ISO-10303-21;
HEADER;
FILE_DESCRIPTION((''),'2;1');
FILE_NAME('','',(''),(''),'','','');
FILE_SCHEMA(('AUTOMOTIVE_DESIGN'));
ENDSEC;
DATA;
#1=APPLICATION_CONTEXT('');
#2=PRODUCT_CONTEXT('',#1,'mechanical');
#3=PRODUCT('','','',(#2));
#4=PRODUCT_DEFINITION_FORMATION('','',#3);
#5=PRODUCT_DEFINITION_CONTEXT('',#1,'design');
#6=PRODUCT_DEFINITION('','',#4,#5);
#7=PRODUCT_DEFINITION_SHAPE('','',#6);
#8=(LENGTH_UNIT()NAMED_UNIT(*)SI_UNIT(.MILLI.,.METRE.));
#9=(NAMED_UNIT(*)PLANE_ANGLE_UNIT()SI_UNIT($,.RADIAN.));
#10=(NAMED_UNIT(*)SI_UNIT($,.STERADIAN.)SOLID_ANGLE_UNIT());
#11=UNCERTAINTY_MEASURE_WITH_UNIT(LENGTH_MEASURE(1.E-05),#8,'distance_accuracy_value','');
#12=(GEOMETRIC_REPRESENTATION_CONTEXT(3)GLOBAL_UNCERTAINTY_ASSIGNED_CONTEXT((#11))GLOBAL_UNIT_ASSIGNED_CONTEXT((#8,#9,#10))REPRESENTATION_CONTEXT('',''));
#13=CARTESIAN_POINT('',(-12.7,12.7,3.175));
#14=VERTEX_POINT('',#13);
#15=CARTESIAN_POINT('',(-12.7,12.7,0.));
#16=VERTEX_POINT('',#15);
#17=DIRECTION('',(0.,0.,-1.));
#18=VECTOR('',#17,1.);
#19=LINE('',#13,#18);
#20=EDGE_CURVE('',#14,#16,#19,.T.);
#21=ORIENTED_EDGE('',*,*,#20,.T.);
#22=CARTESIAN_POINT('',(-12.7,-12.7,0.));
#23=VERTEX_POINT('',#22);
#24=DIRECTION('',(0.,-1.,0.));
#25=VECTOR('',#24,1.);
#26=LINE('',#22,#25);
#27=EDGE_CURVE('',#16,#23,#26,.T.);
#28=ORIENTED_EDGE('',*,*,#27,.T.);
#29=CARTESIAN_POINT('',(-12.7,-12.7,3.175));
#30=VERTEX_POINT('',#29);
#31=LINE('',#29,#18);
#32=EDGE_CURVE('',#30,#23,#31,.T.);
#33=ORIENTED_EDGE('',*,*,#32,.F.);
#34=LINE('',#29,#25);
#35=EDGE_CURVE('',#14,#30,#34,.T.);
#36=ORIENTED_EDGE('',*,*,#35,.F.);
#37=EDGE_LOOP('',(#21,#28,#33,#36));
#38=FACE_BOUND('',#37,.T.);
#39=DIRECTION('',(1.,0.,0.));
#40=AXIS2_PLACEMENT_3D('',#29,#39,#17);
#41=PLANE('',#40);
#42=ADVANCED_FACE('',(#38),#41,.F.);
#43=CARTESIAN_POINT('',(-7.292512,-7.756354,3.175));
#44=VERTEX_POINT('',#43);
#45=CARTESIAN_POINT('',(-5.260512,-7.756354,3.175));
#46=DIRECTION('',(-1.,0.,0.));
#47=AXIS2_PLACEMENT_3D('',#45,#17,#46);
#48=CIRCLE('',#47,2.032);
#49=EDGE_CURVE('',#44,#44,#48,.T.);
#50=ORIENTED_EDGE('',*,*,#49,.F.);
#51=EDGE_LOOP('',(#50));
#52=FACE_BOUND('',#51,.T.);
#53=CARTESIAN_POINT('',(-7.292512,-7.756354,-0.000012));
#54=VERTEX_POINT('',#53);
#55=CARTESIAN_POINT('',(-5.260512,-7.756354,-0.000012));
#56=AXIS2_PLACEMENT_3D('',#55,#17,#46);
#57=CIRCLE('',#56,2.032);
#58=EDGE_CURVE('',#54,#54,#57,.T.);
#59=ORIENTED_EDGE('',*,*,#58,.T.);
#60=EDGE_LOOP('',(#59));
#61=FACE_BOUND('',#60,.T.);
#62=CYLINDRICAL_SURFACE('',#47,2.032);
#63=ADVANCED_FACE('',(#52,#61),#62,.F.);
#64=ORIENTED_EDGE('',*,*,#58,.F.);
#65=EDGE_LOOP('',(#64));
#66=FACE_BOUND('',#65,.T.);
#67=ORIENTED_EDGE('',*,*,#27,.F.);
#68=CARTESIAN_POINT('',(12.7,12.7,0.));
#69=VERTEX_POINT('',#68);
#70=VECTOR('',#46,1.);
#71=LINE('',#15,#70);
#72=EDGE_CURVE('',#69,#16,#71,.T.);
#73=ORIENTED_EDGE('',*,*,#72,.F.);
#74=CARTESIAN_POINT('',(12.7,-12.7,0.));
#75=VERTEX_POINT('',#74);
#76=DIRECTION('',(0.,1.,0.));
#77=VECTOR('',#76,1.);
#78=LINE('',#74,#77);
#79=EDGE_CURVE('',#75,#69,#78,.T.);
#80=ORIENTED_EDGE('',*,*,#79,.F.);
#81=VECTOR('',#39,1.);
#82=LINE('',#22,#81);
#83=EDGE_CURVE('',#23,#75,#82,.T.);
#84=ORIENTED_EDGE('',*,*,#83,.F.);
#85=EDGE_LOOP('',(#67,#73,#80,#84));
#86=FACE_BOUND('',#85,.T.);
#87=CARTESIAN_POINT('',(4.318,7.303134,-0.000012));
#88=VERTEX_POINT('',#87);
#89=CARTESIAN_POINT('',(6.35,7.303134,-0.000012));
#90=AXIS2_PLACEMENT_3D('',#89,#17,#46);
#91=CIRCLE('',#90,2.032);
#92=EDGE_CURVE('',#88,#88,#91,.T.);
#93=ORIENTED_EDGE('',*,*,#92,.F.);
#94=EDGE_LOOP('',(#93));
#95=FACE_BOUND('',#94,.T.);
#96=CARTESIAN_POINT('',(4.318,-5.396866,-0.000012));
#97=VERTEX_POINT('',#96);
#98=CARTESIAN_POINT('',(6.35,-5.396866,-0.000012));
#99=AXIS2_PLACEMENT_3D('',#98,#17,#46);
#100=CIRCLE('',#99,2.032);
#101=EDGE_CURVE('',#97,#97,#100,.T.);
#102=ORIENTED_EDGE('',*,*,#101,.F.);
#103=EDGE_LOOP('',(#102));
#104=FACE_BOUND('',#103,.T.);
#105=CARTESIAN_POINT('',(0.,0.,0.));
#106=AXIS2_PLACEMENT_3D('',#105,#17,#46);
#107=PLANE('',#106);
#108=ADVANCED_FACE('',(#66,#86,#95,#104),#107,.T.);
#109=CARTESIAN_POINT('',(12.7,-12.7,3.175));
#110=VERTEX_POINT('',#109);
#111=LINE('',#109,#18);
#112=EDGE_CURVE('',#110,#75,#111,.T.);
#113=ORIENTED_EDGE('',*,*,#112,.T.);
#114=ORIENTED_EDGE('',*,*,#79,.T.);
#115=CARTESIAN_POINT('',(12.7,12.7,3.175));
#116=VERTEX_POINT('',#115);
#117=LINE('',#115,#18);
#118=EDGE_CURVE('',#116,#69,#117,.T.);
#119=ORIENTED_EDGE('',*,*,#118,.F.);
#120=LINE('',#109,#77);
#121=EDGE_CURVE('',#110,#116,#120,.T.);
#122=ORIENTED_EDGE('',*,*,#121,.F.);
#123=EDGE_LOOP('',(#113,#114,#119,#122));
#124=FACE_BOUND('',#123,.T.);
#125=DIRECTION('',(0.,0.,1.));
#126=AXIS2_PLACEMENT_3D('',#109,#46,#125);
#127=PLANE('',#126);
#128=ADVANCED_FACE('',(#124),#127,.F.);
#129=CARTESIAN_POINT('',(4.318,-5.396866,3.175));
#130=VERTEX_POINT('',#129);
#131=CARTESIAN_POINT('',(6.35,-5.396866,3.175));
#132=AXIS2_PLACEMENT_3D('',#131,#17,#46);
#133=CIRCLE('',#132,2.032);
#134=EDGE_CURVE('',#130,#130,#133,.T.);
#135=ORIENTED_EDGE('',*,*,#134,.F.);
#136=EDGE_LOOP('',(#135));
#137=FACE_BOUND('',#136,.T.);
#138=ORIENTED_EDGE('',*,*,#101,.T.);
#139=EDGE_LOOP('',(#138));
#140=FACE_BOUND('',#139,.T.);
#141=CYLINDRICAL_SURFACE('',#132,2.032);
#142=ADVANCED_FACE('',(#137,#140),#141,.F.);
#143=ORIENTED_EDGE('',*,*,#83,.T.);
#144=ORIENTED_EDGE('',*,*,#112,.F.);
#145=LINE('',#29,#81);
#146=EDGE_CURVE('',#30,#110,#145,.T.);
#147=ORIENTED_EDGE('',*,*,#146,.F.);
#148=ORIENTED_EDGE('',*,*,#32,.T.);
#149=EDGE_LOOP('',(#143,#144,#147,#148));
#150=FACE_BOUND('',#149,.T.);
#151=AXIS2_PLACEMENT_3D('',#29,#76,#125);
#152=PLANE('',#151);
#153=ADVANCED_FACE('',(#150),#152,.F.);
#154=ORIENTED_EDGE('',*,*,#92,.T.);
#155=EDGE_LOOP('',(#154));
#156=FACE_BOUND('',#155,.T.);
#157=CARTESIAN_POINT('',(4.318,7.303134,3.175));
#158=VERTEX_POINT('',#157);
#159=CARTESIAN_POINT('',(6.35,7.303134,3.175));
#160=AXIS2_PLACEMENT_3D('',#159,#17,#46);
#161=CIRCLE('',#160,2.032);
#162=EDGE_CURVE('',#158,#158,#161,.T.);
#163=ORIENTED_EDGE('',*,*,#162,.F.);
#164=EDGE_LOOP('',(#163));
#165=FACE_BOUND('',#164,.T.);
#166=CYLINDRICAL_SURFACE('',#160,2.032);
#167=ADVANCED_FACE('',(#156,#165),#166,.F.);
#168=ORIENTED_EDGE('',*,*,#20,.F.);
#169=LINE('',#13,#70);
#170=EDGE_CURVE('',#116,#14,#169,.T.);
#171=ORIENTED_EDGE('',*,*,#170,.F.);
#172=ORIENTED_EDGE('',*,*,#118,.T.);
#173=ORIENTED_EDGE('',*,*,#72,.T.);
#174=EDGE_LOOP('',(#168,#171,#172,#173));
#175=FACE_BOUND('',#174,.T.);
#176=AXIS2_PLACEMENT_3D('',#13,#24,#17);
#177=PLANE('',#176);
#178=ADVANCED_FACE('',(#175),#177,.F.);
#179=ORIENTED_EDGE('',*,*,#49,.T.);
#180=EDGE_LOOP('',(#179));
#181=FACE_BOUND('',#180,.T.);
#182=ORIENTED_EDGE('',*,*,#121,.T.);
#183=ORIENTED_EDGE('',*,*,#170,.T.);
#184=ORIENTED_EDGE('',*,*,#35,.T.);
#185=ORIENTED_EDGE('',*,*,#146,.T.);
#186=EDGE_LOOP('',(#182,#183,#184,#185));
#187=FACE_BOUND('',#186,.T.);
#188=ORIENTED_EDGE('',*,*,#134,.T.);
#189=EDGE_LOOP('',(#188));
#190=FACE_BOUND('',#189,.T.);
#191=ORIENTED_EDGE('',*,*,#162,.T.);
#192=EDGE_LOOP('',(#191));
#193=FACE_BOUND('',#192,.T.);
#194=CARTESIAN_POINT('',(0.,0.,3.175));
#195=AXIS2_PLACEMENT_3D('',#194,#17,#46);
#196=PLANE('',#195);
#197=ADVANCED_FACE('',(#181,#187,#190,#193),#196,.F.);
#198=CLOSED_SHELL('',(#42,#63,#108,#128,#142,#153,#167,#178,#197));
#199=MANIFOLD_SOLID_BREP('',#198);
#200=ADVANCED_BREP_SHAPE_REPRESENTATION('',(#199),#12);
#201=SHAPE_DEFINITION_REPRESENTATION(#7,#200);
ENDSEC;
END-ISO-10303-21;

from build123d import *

# Parameters (mm, degrees)
SKETCH1_W               = 25.4
SKETCH1_H               = 25.4
BOSS_EXTRUDE1_DEPTH     = 3.175
CUT_EXTRUDE1_DEPTH      = 19.238986403
CUT_EXTRUDE1_DEPTH_BACK = 19.238986403
SKETCH2_R               = 2.032


with BuildPart() as part:
    # Sketch1 → Boss-Extrude1 (new body)
    with BuildSketch(Plane.XY):
        Rectangle(SKETCH1_W, SKETCH1_H)
    extrude(amount=BOSS_EXTRUDE1_DEPTH)

    # Sketch2 → Cut-Extrude1 (cut, two sides: drawn at the far end of the back side and taken through both)
    with BuildSketch(Plane(origin=(0, 0, 0), x_dir=(-1, 0, 0), z_dir=(0, 0, -1)).offset(-CUT_EXTRUDE1_DEPTH_BACK)):
        with Locations((5.260512242, -7.756353865)):
            Circle(SKETCH2_R)
        with Locations((-6.35, -5.396866107)):
            Circle(SKETCH2_R)
        with Locations((-6.35, 7.303133893)):
            Circle(SKETCH2_R)
    extrude(amount=CUT_EXTRUDE1_DEPTH + CUT_EXTRUDE1_DEPTH_BACK, mode=Mode.SUBTRACT)


solid = part.part
